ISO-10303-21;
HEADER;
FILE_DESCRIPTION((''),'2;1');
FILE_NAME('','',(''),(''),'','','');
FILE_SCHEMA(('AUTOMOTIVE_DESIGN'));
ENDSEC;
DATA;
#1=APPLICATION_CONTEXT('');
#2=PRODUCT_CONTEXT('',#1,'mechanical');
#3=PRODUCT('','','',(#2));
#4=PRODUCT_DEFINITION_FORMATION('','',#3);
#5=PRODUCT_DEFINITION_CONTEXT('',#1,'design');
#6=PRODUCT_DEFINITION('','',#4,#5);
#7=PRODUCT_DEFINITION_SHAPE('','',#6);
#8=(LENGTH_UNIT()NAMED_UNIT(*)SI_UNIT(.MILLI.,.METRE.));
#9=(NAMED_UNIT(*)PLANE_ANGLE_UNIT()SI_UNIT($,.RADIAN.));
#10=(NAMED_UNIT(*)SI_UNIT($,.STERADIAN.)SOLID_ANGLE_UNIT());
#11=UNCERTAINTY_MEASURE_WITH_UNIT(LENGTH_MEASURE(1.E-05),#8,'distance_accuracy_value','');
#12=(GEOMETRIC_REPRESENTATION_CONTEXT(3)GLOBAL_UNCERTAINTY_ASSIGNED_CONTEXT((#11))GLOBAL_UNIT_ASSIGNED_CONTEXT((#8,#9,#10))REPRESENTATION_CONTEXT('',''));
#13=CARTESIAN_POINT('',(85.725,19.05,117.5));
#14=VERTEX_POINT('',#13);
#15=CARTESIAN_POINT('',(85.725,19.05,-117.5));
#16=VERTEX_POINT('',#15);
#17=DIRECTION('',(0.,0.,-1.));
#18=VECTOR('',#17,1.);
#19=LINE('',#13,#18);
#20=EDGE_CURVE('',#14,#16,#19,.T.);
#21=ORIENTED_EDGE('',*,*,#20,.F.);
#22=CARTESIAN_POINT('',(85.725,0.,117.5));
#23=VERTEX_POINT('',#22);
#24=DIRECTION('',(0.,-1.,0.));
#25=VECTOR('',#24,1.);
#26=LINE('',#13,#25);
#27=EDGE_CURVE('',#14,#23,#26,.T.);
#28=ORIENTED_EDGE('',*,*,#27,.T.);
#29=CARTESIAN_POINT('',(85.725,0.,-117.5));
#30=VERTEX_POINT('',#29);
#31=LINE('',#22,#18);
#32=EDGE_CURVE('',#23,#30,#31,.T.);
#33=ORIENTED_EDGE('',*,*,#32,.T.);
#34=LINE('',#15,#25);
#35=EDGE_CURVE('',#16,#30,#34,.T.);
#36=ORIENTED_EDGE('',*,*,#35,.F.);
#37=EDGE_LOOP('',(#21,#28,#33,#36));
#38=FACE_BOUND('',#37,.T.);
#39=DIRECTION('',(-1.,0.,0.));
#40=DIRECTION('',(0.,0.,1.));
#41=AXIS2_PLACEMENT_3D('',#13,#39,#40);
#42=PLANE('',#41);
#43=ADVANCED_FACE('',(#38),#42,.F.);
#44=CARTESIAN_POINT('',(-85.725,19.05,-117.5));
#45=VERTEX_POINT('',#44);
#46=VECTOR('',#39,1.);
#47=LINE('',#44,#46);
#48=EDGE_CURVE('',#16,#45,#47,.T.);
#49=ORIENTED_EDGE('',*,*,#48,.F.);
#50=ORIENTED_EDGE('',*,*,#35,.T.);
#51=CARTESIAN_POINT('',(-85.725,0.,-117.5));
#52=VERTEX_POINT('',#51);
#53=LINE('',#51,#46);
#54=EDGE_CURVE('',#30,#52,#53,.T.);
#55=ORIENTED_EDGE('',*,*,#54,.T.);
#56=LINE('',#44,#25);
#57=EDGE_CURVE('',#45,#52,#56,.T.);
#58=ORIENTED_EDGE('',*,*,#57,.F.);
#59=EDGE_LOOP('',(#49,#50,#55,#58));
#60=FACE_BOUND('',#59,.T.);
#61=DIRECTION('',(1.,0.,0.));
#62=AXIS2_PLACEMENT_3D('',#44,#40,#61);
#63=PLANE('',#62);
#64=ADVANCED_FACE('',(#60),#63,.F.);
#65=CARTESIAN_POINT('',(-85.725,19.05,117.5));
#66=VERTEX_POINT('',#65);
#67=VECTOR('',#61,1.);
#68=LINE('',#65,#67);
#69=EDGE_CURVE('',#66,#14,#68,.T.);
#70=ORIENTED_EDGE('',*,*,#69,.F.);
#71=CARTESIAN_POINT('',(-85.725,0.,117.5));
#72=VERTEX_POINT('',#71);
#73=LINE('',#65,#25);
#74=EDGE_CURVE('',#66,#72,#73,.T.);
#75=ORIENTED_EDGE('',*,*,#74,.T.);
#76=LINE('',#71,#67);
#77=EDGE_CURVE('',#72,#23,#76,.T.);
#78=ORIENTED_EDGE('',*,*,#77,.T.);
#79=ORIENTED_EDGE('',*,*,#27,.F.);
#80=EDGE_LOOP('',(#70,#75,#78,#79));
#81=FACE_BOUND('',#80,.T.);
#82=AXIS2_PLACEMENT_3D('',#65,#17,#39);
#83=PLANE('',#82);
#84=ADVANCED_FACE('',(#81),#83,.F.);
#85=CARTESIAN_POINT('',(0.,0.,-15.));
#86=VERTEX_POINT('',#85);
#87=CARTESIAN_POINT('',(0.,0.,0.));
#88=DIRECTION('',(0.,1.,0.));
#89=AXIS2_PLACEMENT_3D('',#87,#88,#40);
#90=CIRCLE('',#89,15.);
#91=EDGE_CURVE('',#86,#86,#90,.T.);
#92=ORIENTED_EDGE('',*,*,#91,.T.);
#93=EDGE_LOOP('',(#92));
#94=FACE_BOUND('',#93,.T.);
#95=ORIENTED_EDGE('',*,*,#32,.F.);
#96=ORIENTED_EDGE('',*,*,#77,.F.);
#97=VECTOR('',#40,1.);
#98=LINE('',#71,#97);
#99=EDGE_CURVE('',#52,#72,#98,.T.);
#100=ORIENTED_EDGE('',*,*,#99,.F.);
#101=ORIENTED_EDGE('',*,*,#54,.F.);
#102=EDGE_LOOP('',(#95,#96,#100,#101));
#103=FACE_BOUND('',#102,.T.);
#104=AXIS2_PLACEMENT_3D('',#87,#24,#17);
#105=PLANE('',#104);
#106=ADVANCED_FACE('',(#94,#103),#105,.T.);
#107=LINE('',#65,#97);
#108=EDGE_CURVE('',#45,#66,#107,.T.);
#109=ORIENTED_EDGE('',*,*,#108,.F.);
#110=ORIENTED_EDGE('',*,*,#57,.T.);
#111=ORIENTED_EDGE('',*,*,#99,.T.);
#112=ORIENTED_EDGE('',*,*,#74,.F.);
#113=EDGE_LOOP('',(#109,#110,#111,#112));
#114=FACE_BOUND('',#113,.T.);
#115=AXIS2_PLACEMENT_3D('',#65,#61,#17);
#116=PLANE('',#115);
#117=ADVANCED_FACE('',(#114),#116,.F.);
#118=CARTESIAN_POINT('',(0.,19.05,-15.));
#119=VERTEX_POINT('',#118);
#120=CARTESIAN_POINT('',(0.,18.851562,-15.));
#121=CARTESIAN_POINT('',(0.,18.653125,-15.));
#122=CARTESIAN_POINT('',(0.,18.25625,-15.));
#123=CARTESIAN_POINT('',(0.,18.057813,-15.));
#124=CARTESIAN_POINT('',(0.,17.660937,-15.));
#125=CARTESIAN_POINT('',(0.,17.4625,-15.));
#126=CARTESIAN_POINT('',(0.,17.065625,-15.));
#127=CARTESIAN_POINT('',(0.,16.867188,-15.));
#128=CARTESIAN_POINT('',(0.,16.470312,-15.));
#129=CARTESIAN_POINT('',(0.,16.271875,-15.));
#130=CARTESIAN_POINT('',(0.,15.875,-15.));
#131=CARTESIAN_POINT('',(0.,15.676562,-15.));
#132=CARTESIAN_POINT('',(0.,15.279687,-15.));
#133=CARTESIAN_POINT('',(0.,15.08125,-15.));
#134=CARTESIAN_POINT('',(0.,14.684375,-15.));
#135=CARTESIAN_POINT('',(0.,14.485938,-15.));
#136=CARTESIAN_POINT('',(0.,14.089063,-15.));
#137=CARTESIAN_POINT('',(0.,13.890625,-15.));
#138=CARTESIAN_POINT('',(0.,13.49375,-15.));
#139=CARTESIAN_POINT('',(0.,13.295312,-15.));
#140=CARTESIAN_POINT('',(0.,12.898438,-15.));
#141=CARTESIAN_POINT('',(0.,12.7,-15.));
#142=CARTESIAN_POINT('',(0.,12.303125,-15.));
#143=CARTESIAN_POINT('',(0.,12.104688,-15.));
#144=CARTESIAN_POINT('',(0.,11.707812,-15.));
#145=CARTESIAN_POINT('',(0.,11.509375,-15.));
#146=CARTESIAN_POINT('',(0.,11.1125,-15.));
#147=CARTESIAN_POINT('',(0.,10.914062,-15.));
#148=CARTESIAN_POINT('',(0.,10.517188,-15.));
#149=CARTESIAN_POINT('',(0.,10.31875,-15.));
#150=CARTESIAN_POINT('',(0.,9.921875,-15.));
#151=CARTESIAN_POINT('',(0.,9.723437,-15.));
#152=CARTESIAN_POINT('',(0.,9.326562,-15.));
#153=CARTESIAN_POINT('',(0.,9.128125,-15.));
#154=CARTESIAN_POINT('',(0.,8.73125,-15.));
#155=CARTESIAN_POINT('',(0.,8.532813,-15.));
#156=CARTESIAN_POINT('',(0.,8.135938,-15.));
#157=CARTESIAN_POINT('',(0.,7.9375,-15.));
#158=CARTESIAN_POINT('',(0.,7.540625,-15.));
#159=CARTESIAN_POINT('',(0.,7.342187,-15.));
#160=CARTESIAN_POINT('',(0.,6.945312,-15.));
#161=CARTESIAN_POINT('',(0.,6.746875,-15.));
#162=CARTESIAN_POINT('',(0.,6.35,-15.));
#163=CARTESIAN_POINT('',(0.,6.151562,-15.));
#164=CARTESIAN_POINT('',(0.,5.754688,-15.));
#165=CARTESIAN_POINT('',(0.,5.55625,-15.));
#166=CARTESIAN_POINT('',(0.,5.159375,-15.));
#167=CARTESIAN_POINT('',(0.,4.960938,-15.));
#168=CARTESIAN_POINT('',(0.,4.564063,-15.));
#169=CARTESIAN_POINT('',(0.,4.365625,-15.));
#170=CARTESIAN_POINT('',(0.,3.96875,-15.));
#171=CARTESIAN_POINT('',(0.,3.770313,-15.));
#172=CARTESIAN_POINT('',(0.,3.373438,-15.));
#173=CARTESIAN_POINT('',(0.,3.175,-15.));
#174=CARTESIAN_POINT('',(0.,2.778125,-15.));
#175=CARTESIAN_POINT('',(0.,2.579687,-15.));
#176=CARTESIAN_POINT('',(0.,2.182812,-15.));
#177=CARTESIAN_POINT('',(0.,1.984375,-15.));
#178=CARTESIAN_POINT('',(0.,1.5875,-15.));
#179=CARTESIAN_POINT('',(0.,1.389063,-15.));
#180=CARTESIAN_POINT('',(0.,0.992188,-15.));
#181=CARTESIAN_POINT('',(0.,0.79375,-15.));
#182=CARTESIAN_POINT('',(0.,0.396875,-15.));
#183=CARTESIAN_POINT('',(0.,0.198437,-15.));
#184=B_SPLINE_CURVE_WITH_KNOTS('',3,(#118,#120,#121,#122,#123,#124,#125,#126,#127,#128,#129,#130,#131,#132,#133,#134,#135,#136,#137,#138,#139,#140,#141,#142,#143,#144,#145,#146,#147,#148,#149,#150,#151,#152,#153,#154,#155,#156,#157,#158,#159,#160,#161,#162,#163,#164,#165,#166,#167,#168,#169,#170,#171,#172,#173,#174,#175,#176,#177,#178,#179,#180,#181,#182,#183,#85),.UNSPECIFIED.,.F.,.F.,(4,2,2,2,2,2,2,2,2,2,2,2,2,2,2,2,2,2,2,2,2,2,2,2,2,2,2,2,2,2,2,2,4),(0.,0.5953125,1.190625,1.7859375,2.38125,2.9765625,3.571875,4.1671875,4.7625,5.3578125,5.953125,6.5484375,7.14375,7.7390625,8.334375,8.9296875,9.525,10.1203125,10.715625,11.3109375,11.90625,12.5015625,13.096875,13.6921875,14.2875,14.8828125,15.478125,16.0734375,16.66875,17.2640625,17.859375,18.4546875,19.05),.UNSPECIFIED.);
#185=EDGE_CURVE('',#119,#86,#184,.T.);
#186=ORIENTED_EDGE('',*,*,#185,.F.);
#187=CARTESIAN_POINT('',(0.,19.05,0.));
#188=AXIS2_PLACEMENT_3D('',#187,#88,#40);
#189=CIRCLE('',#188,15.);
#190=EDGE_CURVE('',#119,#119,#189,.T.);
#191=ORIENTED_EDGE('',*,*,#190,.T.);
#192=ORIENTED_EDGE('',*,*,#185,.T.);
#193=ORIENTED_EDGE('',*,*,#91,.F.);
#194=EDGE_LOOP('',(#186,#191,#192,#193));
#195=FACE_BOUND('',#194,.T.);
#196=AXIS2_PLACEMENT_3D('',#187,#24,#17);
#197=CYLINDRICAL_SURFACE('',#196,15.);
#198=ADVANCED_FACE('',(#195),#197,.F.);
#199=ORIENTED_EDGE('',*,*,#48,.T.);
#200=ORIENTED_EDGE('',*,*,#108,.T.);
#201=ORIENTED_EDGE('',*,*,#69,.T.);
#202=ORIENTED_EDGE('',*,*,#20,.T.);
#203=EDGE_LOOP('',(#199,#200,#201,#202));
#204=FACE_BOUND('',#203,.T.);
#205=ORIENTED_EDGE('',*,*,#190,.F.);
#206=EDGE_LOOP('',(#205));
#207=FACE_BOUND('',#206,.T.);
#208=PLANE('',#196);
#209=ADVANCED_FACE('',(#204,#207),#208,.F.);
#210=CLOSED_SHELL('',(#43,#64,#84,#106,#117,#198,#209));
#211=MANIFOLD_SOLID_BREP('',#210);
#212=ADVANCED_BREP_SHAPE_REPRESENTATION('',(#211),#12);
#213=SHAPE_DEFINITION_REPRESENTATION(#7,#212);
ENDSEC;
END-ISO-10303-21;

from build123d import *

# Parameters (mm, degrees)
SKETCH2_W           = 171.45
SKETCH2_H           = 235
SKETCH2_R           = 15
BOSS_EXTRUDE3_DEPTH = 19.05


with BuildPart() as part:
    # Sketch2 → Boss-Extrude3 (new body)
    with BuildSketch(Plane(origin=(0, 0, 0), x_dir=(1, 0, 0), z_dir=(0, 1, 0))):
        Rectangle(SKETCH2_W, SKETCH2_H)
        with Locations(Location((0, 0, 0), (0, 0, 90))):
            Circle(SKETCH2_R, mode=Mode.SUBTRACT)
    extrude(amount=BOSS_EXTRUDE3_DEPTH)


solid = part.part
